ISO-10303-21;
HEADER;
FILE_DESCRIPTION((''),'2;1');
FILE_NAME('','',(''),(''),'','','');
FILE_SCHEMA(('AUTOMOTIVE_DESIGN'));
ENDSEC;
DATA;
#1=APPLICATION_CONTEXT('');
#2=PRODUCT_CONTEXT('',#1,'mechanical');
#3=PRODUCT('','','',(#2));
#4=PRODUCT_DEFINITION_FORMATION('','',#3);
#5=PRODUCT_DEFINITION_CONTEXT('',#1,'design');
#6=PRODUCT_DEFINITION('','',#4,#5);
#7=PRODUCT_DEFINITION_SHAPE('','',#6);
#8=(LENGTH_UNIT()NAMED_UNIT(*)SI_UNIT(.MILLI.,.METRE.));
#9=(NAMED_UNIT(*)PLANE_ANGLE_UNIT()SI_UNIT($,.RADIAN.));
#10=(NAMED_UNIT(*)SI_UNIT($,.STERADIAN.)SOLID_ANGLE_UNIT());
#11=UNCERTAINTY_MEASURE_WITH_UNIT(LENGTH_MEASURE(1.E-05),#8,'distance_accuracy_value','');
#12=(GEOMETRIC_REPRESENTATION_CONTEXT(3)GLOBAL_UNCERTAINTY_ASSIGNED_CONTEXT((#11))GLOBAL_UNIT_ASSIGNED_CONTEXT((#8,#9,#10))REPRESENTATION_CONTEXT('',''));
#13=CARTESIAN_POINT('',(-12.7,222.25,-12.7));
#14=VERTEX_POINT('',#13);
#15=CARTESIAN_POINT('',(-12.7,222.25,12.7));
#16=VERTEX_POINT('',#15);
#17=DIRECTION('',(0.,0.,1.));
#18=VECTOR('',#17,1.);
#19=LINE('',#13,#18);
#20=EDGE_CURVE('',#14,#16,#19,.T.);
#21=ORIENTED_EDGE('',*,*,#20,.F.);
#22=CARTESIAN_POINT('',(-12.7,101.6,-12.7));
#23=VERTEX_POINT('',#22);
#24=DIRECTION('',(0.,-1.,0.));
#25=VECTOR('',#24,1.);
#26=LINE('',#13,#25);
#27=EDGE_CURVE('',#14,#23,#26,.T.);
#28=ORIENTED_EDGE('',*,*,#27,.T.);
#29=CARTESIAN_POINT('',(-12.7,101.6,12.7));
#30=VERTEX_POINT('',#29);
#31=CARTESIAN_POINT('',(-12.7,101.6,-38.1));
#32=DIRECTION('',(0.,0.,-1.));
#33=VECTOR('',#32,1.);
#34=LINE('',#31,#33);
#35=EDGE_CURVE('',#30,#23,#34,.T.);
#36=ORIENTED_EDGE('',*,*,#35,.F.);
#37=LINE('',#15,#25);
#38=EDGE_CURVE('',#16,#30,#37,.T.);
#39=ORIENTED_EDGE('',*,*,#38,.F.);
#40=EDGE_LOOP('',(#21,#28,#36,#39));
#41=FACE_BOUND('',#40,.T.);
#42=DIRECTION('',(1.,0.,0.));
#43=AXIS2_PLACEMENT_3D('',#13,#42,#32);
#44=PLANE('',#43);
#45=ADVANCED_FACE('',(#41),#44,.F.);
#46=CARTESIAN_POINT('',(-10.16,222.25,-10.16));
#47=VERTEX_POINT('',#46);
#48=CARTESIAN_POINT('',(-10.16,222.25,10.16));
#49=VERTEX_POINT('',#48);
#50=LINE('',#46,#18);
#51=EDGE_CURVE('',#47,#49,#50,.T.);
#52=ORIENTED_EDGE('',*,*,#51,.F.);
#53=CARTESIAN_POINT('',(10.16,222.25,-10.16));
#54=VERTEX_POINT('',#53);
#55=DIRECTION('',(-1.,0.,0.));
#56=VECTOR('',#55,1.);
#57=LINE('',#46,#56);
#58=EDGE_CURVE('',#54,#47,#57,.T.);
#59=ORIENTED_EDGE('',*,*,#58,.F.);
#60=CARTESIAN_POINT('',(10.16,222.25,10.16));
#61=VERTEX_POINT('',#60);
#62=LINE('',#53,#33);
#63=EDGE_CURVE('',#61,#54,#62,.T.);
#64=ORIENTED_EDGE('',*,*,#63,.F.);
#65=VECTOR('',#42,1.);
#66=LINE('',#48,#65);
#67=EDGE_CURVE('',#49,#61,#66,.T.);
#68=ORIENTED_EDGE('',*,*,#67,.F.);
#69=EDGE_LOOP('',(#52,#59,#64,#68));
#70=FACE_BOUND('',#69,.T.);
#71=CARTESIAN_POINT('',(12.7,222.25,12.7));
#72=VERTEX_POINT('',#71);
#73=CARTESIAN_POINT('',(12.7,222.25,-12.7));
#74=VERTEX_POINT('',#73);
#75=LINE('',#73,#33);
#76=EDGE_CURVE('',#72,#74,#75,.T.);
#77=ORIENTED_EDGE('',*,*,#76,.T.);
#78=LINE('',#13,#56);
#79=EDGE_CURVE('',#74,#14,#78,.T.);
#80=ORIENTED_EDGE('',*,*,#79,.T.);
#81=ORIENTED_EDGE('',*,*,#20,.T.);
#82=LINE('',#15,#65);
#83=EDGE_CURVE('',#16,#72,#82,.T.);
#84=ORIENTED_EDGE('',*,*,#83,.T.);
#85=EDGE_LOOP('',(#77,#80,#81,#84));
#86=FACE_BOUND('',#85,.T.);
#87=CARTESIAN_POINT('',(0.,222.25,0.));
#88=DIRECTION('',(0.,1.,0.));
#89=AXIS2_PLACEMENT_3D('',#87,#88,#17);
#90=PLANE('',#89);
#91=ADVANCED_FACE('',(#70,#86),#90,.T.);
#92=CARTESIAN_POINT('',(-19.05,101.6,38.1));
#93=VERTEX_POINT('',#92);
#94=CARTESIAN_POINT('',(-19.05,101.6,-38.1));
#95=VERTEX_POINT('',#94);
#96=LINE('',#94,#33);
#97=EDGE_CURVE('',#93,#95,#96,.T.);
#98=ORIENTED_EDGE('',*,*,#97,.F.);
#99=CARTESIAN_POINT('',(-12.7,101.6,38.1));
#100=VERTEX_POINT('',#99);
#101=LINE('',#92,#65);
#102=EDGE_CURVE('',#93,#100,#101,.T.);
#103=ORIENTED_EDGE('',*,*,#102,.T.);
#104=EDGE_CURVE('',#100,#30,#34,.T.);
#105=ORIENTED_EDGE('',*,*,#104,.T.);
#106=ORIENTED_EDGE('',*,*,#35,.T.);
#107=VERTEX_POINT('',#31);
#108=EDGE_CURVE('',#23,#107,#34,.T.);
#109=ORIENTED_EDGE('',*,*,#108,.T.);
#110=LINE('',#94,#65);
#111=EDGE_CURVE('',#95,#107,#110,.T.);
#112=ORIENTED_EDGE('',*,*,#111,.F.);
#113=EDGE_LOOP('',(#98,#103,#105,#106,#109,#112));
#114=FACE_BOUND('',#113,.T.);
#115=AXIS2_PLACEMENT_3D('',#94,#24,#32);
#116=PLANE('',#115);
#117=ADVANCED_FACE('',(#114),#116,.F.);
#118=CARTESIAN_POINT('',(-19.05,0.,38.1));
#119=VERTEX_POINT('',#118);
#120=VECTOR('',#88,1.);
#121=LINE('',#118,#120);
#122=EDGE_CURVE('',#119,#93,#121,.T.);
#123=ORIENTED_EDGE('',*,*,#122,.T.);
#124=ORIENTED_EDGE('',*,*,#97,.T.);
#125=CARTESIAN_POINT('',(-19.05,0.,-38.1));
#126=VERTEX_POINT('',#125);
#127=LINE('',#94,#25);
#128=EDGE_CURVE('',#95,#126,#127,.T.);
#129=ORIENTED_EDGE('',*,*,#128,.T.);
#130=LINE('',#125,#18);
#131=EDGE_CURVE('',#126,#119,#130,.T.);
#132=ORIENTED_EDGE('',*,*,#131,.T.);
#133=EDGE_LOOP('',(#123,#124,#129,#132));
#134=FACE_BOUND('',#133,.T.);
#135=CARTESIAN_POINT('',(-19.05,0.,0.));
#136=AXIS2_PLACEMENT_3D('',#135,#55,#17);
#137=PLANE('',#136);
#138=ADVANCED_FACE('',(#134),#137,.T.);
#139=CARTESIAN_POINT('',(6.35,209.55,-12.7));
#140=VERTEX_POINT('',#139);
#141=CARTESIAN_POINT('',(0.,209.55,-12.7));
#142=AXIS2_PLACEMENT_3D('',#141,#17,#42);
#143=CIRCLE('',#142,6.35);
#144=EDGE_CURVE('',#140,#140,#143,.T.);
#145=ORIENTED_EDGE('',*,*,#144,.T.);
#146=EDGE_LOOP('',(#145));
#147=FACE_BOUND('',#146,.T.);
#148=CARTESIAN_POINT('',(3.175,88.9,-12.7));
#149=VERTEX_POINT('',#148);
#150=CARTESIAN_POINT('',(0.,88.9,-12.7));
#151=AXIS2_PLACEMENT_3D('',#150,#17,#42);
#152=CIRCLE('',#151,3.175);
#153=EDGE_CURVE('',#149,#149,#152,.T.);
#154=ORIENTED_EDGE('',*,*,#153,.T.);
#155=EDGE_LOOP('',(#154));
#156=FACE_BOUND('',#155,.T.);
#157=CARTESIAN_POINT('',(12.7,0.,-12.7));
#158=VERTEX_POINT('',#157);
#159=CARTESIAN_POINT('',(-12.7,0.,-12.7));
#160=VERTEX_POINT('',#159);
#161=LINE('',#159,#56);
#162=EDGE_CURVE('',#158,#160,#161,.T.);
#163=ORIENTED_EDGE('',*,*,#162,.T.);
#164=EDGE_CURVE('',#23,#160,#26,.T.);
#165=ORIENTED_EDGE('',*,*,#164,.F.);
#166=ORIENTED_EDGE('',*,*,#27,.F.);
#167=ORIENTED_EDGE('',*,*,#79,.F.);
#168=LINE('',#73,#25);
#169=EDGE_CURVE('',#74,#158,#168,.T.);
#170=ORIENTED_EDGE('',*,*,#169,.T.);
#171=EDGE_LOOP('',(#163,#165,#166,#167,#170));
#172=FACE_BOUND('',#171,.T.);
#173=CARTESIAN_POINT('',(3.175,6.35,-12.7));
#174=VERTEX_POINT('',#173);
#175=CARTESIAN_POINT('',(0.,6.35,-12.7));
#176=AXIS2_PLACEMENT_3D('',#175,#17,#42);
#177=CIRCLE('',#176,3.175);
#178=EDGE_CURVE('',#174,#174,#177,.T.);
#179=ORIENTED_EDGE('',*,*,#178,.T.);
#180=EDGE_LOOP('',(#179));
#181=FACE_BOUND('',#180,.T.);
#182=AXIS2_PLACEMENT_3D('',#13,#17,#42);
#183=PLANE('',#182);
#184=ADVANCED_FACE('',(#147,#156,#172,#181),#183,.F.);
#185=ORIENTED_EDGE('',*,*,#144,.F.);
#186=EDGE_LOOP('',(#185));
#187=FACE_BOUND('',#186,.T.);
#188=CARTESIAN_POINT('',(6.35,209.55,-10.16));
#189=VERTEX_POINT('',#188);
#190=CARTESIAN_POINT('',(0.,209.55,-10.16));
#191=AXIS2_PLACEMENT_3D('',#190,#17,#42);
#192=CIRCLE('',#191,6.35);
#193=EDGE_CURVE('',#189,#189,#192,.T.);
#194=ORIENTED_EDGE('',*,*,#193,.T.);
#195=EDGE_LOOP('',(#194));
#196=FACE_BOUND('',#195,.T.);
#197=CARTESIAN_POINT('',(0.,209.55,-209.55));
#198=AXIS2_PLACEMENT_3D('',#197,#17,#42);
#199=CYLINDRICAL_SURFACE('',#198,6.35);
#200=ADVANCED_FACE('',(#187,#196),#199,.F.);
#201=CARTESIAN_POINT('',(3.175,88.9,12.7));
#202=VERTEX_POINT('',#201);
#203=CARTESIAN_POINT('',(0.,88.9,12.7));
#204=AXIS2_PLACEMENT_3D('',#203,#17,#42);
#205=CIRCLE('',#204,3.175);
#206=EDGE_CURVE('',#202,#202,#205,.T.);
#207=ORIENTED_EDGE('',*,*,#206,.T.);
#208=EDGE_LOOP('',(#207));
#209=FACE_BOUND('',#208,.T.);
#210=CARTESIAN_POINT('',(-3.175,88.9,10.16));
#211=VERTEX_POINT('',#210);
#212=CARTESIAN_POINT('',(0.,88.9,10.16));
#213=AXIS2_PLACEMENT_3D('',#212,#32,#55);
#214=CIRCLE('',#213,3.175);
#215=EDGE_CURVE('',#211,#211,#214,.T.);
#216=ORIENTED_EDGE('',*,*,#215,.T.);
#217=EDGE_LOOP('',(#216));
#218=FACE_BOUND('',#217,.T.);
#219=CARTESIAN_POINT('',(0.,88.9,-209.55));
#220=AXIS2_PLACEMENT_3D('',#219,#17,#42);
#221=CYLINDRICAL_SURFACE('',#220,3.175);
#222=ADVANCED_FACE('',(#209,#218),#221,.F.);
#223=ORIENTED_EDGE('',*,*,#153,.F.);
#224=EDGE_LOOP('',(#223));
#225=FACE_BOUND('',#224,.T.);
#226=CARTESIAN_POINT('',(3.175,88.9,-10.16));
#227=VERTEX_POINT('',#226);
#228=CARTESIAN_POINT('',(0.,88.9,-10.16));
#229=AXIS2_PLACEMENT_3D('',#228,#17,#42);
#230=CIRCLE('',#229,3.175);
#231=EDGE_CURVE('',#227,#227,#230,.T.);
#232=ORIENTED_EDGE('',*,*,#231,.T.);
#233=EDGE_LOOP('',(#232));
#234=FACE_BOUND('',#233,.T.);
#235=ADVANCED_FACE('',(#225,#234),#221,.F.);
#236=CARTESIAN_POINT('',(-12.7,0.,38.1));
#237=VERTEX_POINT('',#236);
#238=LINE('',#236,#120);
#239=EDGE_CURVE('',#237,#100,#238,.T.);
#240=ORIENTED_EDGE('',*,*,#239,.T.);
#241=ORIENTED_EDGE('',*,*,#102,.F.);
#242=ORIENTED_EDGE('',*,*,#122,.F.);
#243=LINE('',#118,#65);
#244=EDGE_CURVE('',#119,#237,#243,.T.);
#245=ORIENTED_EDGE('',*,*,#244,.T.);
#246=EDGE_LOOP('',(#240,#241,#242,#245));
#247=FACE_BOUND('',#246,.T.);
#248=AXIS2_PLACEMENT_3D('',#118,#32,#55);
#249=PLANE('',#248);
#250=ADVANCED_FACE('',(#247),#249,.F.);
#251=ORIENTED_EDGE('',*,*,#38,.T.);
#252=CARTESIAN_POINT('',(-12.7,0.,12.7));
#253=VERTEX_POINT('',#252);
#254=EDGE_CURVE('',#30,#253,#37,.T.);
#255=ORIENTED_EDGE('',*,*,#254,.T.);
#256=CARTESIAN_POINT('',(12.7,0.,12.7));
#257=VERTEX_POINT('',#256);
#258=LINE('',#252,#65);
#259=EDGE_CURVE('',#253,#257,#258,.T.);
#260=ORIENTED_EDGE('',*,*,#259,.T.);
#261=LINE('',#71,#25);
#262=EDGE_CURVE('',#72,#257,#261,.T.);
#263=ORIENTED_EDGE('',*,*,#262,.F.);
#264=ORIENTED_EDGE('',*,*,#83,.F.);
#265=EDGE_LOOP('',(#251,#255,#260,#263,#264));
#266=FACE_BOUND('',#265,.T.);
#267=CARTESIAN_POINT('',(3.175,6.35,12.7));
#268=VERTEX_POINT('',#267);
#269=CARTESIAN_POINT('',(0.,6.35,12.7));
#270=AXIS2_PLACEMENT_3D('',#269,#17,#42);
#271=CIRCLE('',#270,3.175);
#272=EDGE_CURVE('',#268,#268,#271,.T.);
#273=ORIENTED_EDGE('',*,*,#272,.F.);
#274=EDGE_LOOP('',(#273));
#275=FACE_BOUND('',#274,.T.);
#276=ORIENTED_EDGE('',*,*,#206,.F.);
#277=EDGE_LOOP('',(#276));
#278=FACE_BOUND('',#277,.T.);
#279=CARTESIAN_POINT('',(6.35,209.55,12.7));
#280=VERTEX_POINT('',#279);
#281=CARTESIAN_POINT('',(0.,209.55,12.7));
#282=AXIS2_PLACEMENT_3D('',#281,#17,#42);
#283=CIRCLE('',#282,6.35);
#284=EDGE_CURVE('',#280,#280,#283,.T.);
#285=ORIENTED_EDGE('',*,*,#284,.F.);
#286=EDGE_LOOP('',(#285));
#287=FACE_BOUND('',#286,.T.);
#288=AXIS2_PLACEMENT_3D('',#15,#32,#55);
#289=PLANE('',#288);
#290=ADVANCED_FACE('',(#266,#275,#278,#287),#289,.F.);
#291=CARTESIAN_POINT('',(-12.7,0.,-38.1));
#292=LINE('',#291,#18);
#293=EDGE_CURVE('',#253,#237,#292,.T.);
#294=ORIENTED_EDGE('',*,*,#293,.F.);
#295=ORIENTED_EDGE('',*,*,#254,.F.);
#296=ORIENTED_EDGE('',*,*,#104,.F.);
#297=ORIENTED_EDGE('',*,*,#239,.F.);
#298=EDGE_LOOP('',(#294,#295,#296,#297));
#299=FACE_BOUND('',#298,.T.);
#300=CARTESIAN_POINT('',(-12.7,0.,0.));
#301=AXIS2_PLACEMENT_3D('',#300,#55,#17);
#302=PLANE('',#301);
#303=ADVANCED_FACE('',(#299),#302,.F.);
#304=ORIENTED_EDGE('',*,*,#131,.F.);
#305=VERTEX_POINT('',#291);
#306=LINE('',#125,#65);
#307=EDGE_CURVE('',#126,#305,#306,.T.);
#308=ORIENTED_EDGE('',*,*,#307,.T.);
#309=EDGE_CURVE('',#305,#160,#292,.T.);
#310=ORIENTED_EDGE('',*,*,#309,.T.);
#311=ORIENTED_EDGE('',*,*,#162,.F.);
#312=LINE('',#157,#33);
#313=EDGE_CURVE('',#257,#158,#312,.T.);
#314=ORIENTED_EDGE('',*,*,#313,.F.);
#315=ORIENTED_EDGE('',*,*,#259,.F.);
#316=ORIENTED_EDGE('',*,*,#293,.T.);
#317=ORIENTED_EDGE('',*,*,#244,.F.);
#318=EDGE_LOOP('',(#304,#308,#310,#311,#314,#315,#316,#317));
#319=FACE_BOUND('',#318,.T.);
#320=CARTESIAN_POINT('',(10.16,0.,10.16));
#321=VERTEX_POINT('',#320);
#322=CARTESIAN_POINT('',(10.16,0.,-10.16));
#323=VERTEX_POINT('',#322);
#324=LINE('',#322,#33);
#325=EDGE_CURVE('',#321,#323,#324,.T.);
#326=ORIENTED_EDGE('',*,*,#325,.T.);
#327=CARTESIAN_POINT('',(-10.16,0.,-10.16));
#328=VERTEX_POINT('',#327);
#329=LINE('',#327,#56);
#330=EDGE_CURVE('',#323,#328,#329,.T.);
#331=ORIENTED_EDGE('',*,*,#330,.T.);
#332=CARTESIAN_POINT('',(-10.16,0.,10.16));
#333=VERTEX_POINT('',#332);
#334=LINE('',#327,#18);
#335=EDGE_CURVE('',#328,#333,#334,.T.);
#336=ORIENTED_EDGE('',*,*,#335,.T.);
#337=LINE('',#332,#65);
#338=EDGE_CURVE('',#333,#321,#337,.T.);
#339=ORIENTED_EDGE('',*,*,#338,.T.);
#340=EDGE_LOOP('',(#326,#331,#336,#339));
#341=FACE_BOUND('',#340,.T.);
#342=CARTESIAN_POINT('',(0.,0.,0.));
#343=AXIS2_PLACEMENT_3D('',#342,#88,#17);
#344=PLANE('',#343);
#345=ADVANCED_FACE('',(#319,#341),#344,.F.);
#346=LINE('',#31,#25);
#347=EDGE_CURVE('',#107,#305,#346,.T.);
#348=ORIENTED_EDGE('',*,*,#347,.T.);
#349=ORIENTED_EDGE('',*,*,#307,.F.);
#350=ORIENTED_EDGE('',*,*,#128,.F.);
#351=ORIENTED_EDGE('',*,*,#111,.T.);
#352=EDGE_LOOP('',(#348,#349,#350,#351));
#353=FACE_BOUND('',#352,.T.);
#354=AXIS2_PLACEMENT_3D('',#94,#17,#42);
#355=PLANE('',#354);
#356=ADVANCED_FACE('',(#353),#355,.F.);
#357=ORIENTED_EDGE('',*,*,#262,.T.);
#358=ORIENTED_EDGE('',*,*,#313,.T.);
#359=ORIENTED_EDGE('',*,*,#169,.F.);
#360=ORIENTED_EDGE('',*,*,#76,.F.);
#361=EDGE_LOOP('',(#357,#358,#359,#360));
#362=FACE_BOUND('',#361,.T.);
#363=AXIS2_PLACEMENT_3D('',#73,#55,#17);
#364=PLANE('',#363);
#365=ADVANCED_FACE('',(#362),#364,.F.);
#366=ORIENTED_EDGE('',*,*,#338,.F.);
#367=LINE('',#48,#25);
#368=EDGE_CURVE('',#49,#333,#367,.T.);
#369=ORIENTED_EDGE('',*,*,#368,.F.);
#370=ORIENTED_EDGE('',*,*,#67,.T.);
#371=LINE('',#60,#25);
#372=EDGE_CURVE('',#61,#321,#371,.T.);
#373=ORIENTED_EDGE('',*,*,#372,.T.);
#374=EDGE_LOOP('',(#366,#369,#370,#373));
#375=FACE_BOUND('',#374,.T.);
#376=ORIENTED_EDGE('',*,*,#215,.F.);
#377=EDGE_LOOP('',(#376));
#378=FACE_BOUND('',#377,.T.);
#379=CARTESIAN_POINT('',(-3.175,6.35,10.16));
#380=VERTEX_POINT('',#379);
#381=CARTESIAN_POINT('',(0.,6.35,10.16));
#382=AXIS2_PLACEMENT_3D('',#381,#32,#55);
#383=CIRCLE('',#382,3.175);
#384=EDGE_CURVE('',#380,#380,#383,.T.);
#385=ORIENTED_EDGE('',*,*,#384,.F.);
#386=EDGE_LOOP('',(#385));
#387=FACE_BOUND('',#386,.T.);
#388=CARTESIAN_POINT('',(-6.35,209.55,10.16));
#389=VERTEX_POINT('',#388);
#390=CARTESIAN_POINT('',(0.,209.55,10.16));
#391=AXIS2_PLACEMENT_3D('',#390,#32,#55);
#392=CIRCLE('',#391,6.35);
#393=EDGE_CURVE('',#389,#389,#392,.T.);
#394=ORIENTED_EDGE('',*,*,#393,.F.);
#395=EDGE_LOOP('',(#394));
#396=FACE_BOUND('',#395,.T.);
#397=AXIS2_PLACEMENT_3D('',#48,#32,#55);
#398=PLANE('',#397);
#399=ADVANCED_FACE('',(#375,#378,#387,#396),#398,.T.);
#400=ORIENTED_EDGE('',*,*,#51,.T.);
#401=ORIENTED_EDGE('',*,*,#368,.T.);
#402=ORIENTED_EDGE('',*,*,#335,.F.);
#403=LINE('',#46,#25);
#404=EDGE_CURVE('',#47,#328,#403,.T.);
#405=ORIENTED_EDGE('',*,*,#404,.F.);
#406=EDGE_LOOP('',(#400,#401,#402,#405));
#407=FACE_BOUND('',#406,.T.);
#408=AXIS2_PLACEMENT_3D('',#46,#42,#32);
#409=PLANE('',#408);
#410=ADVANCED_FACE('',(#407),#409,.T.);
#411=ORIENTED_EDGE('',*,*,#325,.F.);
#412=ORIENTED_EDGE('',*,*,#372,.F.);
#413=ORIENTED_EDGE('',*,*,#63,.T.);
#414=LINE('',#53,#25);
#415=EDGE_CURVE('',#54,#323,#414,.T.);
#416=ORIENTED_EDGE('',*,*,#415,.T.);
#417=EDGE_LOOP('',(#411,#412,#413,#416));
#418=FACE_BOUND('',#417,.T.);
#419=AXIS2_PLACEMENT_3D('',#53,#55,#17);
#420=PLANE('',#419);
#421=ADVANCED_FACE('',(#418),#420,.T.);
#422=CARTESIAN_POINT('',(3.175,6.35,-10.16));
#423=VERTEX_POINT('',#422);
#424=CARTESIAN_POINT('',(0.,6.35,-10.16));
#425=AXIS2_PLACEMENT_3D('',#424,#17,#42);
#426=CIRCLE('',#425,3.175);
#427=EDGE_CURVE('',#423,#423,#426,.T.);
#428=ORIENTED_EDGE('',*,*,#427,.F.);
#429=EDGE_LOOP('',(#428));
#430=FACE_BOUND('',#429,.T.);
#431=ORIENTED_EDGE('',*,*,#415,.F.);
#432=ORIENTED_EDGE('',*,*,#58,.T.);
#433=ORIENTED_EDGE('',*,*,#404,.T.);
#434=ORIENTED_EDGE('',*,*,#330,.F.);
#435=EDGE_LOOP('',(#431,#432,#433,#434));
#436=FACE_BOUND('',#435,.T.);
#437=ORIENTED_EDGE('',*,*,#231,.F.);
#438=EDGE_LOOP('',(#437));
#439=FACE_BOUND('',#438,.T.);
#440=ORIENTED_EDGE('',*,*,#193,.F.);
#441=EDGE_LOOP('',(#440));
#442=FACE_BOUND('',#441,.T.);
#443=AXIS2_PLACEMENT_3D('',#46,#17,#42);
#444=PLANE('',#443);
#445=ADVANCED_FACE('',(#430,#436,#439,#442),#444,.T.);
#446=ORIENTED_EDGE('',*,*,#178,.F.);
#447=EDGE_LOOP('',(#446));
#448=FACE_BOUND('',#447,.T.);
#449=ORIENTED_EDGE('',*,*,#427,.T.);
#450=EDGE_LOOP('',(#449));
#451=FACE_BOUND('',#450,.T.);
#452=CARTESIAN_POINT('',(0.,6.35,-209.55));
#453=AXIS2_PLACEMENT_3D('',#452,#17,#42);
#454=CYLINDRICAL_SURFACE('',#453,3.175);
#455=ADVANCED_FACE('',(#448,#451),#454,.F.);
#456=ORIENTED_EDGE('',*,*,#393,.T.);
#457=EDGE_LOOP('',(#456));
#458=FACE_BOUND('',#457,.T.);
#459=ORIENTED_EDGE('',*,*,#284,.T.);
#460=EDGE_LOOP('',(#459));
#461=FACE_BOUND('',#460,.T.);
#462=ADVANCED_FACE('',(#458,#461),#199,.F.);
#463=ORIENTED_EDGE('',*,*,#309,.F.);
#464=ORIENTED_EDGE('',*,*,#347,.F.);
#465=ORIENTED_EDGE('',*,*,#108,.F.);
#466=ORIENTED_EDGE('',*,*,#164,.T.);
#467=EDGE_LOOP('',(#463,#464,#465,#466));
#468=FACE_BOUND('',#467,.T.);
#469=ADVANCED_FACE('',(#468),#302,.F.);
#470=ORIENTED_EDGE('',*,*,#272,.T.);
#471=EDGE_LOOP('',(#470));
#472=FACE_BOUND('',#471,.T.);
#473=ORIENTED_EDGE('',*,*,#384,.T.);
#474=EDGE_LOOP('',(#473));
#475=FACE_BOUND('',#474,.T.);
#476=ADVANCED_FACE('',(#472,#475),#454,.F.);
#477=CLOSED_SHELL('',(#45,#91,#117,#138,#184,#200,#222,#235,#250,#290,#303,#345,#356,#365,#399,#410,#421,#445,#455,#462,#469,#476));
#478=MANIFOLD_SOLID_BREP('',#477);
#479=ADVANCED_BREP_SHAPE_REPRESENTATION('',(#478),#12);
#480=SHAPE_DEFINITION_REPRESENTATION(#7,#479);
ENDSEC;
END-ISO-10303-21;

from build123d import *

# Parameters (mm, degrees)
SKETCH1_W           = 25.4
SKETCH1_H           = 25.4
SKETCH1_W_2         = 20.32
SKETCH1_H_2         = 20.32
BOSS_EXTRUDE1_DEPTH = 222.25
SKETCH2_R           = 6.35
SKETCH2_R_2         = 3.175
CUT_EXTRUDE1_DEPTH  = 222.25
SKETCH4_W           = 76.2
SKETCH4_H           = 101.6
BOSS_EXTRUDE3_DEPTH = 6.35


with BuildPart() as part:
    # Sketch1 → Boss-Extrude1 (new body)
    with BuildSketch(Plane(origin=(0, 0, 0), x_dir=(1, 0, 0), z_dir=(0, 1, 0))):
        Rectangle(SKETCH1_W, SKETCH1_H)
        Rectangle(SKETCH1_W_2, SKETCH1_H_2, mode=Mode.SUBTRACT)
    extrude(amount=BOSS_EXTRUDE1_DEPTH)

    # Sketch2 → Cut-Extrude1 (cut)
    with BuildSketch(Plane.XY.offset(12.7)):
        with Locations((0, 209.55)):
            Circle(SKETCH2_R)
        with Locations((0, 6.35)):
            Circle(SKETCH2_R_2)
        with Locations((0, 88.9)):
            Circle(SKETCH2_R_2)
    extrude(amount=-CUT_EXTRUDE1_DEPTH, mode=Mode.SUBTRACT)

    # Sketch4 → Boss-Extrude3 (add)
    with BuildSketch(Plane.ZY.offset(12.7)):
        with Locations((0, 50.8)):
            Rectangle(SKETCH4_W, SKETCH4_H)
    extrude(amount=BOSS_EXTRUDE3_DEPTH)


solid = part.part
